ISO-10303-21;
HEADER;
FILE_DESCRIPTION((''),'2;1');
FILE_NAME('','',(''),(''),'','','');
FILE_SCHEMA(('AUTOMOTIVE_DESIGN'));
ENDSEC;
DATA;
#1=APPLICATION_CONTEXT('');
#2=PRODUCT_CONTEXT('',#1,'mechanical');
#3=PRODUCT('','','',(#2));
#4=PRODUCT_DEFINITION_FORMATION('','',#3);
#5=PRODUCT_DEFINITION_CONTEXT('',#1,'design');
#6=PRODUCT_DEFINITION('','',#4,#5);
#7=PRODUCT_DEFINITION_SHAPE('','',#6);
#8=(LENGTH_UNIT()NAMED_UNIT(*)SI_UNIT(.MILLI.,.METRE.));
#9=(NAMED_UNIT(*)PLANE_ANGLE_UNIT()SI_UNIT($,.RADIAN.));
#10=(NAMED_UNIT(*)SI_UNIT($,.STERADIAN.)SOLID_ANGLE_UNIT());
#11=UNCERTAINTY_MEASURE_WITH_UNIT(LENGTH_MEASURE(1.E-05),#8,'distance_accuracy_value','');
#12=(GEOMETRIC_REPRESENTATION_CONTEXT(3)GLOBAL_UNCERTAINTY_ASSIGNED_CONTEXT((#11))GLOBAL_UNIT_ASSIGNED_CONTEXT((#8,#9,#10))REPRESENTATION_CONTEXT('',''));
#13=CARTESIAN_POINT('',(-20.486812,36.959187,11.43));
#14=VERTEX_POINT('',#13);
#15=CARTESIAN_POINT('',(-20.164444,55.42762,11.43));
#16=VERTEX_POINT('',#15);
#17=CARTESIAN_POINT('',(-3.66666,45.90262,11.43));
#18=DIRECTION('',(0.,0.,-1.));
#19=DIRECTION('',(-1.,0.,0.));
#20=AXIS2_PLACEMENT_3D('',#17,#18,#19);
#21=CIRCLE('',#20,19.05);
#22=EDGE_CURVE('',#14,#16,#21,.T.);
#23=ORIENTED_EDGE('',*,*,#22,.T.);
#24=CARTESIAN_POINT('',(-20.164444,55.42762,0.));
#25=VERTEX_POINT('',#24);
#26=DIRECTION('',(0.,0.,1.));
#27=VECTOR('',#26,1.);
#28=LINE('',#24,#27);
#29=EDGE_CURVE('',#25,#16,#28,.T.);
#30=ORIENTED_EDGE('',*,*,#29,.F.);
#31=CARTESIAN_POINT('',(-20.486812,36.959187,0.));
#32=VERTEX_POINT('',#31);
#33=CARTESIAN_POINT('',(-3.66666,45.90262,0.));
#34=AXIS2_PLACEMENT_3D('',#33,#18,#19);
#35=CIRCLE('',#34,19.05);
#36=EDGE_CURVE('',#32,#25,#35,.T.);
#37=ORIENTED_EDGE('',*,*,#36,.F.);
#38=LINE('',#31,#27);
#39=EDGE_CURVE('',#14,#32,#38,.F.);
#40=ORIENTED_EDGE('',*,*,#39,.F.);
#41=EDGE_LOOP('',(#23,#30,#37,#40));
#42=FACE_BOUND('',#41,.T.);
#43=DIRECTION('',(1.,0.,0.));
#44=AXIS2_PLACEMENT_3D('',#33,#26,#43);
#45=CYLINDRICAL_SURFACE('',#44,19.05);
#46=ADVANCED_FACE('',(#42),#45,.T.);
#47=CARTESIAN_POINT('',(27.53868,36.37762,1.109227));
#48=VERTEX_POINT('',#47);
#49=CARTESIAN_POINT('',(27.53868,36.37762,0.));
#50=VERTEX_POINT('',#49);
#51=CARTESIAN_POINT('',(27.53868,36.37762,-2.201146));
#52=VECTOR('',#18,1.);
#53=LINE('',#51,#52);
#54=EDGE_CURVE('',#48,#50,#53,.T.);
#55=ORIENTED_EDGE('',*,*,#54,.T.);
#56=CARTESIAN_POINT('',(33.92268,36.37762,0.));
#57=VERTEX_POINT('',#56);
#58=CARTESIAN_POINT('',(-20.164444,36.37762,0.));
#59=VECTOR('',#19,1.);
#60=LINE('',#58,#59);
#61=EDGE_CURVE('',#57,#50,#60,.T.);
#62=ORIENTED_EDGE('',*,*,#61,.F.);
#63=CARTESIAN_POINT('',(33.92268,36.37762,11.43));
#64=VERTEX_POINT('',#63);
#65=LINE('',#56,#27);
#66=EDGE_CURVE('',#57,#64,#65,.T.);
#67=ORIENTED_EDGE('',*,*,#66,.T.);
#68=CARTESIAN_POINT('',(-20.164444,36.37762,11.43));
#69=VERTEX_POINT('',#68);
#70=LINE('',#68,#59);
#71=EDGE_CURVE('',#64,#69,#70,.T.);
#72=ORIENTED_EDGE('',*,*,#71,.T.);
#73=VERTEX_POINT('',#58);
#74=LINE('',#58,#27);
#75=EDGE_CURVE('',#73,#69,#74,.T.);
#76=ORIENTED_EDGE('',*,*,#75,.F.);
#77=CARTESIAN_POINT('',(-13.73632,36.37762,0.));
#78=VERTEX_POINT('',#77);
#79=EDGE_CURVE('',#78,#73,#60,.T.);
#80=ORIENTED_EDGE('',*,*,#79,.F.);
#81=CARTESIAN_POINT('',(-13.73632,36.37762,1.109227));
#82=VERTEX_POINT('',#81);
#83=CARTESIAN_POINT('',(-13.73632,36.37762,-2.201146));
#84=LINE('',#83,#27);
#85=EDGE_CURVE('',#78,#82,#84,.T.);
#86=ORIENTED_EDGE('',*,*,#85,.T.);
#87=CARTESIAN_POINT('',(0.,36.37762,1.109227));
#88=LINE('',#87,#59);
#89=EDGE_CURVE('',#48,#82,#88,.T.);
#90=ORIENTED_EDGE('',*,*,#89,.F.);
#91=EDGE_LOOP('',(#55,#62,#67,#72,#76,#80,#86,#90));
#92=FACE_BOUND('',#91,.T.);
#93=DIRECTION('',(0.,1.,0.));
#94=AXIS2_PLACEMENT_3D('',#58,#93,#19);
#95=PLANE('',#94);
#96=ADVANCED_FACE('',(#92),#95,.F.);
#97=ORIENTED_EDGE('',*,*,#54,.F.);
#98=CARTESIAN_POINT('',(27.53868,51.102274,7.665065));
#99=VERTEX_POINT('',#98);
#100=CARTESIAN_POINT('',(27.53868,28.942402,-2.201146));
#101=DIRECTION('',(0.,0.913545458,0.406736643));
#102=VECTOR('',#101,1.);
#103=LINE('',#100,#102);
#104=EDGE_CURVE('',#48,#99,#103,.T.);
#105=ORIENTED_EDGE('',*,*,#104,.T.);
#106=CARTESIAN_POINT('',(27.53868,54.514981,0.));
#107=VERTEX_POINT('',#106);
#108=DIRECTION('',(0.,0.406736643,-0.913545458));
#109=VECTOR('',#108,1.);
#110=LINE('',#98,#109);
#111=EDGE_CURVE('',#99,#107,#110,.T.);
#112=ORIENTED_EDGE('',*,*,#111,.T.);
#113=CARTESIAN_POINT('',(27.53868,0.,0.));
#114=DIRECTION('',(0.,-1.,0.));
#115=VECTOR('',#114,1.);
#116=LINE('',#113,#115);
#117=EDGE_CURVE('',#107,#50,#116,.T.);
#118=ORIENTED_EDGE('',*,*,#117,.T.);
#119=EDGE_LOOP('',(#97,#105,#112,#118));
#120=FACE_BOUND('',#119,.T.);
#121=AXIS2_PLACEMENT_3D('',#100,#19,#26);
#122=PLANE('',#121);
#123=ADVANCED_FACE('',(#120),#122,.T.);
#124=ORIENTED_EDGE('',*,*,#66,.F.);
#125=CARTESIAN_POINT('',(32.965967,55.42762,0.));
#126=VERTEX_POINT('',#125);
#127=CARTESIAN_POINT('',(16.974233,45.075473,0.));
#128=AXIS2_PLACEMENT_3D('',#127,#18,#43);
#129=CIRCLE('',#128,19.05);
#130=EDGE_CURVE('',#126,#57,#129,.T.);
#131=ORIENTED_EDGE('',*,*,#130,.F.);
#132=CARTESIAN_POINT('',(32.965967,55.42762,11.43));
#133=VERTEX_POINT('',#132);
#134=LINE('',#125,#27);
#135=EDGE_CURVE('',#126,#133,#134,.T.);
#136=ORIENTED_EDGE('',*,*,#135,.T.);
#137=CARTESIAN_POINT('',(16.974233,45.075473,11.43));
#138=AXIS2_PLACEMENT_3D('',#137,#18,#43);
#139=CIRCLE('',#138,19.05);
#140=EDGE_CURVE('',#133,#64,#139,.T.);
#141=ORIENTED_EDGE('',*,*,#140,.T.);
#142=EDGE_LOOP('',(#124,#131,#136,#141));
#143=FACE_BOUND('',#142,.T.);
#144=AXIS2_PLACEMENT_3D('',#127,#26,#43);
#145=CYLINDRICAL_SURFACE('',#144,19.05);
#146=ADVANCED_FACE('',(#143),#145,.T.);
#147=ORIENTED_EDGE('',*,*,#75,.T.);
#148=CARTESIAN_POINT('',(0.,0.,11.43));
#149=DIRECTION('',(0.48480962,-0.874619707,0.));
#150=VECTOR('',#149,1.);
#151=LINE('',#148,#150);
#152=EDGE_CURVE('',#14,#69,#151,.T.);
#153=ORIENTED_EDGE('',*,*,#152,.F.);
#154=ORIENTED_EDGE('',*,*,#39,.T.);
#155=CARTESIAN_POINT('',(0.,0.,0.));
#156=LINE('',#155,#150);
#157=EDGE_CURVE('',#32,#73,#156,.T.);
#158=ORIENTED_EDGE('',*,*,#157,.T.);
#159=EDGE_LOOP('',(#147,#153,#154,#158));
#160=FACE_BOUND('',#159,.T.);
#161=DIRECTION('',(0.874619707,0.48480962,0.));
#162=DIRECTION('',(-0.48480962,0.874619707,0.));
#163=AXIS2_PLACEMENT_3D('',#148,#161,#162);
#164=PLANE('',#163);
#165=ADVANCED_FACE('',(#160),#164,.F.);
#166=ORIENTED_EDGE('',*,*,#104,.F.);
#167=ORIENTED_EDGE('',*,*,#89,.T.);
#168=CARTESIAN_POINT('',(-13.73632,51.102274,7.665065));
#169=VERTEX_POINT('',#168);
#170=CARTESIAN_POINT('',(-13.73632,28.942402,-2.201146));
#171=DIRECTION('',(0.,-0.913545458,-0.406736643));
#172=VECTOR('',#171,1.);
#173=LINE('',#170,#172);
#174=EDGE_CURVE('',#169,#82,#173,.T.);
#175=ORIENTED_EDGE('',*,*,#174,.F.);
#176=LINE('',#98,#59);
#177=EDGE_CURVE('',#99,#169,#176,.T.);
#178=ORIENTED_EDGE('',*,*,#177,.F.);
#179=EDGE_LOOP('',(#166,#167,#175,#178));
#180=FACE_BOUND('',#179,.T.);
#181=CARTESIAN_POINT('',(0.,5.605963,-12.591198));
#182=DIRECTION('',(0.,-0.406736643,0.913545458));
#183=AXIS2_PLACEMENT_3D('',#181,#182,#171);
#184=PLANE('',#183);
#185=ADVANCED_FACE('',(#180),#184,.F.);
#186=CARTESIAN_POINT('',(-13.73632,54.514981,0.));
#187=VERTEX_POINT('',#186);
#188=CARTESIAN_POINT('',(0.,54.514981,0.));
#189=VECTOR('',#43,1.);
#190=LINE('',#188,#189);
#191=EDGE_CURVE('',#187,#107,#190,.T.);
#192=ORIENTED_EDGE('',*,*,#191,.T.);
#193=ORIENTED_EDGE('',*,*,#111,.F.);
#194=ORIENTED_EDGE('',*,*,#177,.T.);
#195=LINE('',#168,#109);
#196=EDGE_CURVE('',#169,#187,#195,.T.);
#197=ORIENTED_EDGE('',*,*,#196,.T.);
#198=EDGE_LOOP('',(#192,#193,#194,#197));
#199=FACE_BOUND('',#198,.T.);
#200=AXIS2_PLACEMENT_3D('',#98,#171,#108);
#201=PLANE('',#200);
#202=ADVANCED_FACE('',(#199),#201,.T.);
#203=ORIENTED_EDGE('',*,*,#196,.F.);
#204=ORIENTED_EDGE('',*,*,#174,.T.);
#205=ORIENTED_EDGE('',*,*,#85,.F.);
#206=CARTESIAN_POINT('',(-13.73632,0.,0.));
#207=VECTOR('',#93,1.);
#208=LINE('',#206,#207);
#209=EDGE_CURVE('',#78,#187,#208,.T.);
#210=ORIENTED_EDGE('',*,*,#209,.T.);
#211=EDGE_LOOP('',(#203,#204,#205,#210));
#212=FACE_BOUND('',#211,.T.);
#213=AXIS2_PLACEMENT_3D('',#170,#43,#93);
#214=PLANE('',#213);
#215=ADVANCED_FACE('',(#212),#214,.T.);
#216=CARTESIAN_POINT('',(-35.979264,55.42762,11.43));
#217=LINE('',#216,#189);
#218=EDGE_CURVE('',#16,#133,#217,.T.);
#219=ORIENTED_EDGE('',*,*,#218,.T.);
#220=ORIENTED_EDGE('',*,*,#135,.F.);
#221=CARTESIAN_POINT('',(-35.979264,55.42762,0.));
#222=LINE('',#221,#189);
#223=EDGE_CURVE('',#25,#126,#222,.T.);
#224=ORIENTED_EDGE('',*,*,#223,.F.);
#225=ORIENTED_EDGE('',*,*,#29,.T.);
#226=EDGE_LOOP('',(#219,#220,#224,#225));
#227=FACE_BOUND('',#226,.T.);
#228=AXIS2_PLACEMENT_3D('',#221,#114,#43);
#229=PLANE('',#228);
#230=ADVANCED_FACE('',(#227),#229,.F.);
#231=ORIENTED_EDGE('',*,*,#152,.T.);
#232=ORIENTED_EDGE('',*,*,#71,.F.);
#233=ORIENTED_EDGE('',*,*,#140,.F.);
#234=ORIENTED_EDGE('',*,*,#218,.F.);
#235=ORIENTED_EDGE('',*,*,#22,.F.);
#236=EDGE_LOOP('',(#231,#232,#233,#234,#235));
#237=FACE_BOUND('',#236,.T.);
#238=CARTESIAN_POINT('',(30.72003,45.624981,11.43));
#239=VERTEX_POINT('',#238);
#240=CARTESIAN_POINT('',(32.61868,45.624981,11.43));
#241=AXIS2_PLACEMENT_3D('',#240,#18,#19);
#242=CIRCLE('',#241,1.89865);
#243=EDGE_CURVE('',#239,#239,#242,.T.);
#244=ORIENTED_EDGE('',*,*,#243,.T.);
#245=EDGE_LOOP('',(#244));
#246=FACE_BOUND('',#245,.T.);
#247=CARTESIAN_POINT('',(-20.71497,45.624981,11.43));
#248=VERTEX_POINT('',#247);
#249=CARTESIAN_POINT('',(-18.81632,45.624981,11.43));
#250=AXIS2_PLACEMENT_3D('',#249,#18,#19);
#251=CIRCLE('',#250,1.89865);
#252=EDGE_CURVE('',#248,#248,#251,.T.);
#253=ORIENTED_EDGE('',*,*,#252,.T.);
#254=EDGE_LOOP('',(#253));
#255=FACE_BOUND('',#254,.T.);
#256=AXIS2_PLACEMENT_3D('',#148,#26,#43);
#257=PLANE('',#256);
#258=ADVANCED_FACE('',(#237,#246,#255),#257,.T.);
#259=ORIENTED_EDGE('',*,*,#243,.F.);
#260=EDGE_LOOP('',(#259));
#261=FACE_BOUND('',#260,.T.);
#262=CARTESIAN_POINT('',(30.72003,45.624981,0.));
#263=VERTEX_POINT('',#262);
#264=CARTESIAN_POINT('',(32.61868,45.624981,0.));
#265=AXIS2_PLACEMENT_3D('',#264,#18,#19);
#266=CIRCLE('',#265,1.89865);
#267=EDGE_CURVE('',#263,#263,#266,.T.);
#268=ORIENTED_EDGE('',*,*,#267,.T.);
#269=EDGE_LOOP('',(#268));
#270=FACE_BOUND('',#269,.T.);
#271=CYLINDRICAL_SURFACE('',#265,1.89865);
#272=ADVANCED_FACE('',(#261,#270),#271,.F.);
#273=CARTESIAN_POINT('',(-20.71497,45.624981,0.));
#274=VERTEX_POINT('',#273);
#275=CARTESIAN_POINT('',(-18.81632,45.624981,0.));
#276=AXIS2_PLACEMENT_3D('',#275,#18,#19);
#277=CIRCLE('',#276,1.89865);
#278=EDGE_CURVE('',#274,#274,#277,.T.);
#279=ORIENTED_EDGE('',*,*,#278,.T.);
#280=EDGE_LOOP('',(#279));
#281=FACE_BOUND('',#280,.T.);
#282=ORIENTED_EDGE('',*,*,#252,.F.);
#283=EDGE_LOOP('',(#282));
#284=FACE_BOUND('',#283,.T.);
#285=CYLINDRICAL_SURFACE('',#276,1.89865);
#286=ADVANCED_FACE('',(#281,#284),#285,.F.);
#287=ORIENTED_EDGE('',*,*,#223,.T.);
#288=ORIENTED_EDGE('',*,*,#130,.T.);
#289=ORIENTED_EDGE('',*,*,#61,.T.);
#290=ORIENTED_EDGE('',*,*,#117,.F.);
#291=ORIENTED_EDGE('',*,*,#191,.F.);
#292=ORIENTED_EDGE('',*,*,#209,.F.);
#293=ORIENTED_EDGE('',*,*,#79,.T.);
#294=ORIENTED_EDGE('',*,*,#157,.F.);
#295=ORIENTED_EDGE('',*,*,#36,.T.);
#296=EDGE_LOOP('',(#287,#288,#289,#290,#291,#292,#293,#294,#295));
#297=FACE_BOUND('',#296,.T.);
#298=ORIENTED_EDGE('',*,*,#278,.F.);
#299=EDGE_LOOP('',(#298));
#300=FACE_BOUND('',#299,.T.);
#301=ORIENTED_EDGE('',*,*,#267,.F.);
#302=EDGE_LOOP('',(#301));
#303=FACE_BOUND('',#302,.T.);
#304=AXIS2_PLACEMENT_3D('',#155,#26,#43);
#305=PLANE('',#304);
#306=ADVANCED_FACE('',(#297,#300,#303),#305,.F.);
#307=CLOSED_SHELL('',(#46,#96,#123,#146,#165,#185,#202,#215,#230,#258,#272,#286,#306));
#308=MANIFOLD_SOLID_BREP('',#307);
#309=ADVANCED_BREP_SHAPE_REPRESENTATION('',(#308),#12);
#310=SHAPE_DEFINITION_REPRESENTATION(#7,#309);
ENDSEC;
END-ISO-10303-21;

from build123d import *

# Parameters (mm, degrees)
SKETCH1_R             = 66.4845
BOSS_EXTRUDE1_DEPTH   = 11.43
CUT_EXTRUDE1_START    = -33.02
SKETCH3_W             = 41.275
SKETCH3_H             = 24.257
CUT_EXTRUDE1_DEPTH    = 46.278900076
SKETCH4_R             = 30.1625
CUT_EXTRUDE2_DEPTH    = 95.715481208
F_6_CLEARANCE_HOLE1_D = 3.7973
CIRPATTERN1_COUNT     = 5
CUT_EXTRUDE3_DEPTH    = 95.715481208
SKETCH9_W             = 90.169443187
SKETCH9_H             = 19.134747519
CUT_EXTRUDE4_DEPTH    = 82.281975988
CUT_EXTRUDE5_DEPTH    = 73.517528625


with BuildPart() as part:
    # Sketch1 → Boss-Extrude1 (new body)
    with BuildSketch(Plane.XY):
        Circle(SKETCH1_R)
    extrude(amount=BOSS_EXTRUDE1_DEPTH)

    # Sketch3 → Cut-Extrude1 (cut)
    with BuildSketch(Plane(origin=(0, 10.998843101, -24.703806075), x_dir=(1, 0, 0), z_dir=(0, -0.40673664307580104, 0.9135454576426005)).offset(CUT_EXTRUDE1_START)):
        with Locations((6.90118, 37.673412979)):
            Rectangle(SKETCH3_W, SKETCH3_H)
    cut_extrude1 = extrude(amount=CUT_EXTRUDE1_DEPTH, mode=Mode.SUBTRACT)

    # Sketch4 → Cut-Extrude2 (cut, through all)
    with BuildSketch(Plane(origin=(0, 0, 0), x_dir=(-1, 0, 0), z_dir=(0, 0, -1))):
        Circle(SKETCH4_R)
    extrude(amount=-CUT_EXTRUDE2_DEPTH, mode=Mode.SUBTRACT)

    # #6 Clearance Hole1 (through all)
    with Locations(Plane(origin=(0, 0, 0), x_dir=(-1, 0, 0), z_dir=(0, 0, -1))):
        with Locations((-32.61868, 45.624980685), (18.81632, 45.624980685)):
            f_6_clearance_hole1 = Hole(F_6_CLEARANCE_HOLE1_D / 2)

    # CirPattern1: Cut-Extrude1, #6 Clearance Hole1 ×5 about axis
    cirpattern1_axis = Axis((0, 0, 0), (0, 0, 1))
    add([cut_extrude1.rotate(cirpattern1_axis, i * 360 / CIRPATTERN1_COUNT) for i in range(1, CIRPATTERN1_COUNT)], mode=Mode.SUBTRACT)
    add([f_6_clearance_hole1.rotate(cirpattern1_axis, i * 360 / CIRPATTERN1_COUNT) for i in range(1, CIRPATTERN1_COUNT)], mode=Mode.SUBTRACT)

    # Sketch5 → Cut-Extrude3 (cut, through all)
    with BuildSketch(Plane(origin=(0, 0, 0), x_dir=(-1, 0, 0), z_dir=(0, 0, -1))):
        with BuildLine():
            Line((-45.34231997, 48.623685175), (0, 0))
            Line((0, 0), (32.232325197, 58.148653919))
            ThreePointArc((32.232325197, 58.148653919), (8.102422362, -65.988934619), (-45.34231997, 48.623685175))
        make_face()
    extrude(amount=-CUT_EXTRUDE3_DEPTH, mode=Mode.SUBTRACT)

    # Sketch9 → Cut-Extrude4 (cut, through all)
    with BuildSketch(Plane.XY.offset(11.43)):
        Polygon((-20.16444413, 36.377620169), (33.922679606, 36.377620169), (0, 0), align=None)
        with Locations((9.105457651, 64.994993929)):
            Rectangle(SKETCH9_W, SKETCH9_H)
    extrude(amount=-CUT_EXTRUDE4_DEPTH, mode=Mode.SUBTRACT)

    # Sketch10 → Cut-Extrude5 (cut, through all)
    with BuildSketch(Plane.XY.offset(11.43)):
        with BuildLine():
            Line((-20.16444413, 36.377620169), (-37.32827131, 36.377620169))
            Line((-37.32827131, 36.377620169), (-35.716510793, 61.307238028))
            Line((-35.716510793, 61.307238028), (-20.16444413, 55.427620169))
            ThreePointArc((-20.16444413, 55.427620169), (-22.716660188, 45.902620169), (-20.16444413, 36.377620169))
        make_face()
        with BuildLine():
            Line((33.922679606, 36.377620169), (47.375187835, 33.198791646))
            Line((47.375187835, 33.198791646), (54.157749271, 61.901964171))
            Line((54.157749271, 61.901964171), (32.96596662, 55.427620169))
            ThreePointArc((32.96596662, 55.427620169), (36.00025444, 46.03098199), (33.922679606, 36.377620169))
        make_face()
    extrude(amount=-CUT_EXTRUDE5_DEPTH, mode=Mode.SUBTRACT)


solid = part.part
